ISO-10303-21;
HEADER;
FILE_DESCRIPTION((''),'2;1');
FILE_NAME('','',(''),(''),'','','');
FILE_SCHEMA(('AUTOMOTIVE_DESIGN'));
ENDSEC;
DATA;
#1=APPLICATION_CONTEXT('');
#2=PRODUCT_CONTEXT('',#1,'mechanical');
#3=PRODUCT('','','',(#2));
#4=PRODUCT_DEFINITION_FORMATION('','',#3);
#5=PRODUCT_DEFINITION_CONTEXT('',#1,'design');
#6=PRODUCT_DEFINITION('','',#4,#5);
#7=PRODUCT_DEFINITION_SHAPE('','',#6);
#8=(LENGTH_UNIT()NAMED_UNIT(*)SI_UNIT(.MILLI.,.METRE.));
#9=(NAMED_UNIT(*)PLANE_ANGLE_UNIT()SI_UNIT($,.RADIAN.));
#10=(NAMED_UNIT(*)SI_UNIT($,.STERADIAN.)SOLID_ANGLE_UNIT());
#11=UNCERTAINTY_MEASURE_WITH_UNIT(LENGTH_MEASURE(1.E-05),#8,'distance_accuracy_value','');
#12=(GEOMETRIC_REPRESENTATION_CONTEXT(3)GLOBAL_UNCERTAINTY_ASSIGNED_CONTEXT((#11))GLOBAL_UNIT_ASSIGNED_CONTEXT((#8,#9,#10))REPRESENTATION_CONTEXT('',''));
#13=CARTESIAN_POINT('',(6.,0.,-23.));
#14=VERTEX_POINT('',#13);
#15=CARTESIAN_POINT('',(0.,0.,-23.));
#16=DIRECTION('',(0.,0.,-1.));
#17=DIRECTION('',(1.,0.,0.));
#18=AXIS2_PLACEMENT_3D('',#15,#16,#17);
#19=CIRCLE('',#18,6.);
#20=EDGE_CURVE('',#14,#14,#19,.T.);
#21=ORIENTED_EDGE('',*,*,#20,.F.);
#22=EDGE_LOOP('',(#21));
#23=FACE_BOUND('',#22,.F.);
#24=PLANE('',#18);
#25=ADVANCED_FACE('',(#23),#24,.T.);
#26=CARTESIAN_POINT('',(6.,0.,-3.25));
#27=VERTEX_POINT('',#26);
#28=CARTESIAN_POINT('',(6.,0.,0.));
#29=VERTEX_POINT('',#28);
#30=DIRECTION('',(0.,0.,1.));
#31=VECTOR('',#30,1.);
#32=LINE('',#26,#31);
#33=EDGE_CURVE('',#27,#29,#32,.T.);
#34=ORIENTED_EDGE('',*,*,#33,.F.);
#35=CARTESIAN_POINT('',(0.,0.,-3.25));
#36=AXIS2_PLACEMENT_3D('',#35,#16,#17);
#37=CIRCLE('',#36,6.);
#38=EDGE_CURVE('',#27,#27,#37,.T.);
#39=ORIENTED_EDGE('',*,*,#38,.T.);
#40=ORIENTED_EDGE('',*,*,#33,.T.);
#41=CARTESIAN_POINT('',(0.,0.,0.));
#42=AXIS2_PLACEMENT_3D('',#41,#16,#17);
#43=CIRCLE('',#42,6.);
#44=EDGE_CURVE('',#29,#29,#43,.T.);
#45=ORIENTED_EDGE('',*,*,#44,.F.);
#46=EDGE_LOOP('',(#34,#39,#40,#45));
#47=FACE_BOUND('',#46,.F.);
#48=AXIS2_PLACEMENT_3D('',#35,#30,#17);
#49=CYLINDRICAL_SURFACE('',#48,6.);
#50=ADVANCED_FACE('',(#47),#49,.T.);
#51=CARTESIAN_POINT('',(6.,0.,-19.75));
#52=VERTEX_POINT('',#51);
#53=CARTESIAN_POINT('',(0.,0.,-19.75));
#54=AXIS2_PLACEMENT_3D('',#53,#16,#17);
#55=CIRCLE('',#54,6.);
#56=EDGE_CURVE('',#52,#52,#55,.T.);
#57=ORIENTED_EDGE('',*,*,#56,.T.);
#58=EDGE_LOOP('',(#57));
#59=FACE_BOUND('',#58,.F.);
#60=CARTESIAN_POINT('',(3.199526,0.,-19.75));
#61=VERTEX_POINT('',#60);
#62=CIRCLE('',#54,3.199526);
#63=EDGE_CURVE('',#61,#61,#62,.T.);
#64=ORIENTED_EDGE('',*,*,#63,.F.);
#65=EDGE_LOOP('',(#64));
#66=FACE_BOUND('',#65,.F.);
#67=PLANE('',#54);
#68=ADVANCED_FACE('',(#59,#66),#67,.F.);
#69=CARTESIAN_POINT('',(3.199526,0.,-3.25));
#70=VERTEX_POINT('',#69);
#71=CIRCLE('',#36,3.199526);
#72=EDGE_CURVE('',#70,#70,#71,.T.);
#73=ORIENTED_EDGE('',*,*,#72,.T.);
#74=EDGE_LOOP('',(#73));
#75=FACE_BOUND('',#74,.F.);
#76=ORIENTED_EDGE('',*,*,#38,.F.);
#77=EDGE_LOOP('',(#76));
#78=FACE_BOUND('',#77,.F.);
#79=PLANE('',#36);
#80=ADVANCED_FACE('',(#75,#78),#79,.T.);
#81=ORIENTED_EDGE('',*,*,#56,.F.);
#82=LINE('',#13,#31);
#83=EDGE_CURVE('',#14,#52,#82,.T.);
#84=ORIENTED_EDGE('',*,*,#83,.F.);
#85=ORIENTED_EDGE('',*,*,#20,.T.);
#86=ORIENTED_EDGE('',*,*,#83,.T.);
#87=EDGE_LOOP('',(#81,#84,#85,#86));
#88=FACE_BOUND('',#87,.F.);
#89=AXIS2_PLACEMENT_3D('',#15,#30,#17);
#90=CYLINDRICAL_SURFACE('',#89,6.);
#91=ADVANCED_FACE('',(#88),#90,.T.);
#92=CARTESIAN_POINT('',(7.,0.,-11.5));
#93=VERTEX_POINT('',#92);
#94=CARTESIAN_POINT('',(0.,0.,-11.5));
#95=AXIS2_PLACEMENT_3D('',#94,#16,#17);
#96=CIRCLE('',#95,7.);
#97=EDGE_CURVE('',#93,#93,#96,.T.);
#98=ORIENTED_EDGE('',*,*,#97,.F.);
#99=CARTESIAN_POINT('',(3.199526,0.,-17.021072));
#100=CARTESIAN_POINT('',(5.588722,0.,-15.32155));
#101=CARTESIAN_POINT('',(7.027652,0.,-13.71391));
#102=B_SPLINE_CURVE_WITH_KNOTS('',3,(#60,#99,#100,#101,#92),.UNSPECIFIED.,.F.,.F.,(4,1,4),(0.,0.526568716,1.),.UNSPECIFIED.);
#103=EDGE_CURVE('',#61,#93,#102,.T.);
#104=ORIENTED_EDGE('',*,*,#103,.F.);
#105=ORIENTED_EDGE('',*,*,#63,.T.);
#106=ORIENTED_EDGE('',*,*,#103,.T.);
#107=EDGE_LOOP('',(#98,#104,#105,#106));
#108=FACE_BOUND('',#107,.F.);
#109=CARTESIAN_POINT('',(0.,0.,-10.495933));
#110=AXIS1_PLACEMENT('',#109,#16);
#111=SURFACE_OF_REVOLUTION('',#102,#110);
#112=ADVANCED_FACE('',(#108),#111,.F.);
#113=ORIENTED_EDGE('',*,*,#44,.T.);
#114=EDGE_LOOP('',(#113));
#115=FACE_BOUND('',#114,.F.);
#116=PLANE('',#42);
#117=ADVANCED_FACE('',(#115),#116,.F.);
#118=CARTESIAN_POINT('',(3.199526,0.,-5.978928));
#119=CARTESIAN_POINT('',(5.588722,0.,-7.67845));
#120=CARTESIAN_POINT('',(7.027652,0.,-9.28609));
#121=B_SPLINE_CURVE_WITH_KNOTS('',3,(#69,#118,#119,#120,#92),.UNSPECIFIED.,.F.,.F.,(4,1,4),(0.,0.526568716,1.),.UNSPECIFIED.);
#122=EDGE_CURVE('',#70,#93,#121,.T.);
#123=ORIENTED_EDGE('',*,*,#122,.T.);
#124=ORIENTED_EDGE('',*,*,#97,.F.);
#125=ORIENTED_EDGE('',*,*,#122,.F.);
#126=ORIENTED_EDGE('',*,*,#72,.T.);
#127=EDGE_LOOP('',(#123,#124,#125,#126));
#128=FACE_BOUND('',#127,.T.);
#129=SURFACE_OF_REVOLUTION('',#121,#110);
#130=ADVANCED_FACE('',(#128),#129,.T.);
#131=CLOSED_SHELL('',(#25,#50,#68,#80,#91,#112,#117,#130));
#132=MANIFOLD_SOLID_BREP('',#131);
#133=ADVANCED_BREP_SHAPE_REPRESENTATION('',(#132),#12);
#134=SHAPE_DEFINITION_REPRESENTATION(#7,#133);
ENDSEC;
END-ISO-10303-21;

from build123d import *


with BuildPart() as f1:
    # F0 (on Front) → F1 (revolve)
    with BuildSketch(Plane.XZ):
        with BuildLine():
            Line((6, 0), (0, 0))
            Line((0, 0), (0, -23))
            Line((0, -23), (6, -23))
            Line((6, -23), (6, -19.75))
            Line((6, -19.75), (3.1995258944, -19.75))
            add(Edge.make_bspline(
                [(3.1995258944, -19.75), (3.1995258944, -17.0210715578), (5.588722155, -15.3215501769), (7.0276521617, -13.7139101128), (7, -11.5)],
                knots=[0, 0, 0, 0, 0.5265687159, 1, 1, 1, 1], degree=3))
            add(Edge.make_bspline(
                [(3.1995258944, -3.25), (3.1995258944, -5.9789284422), (5.588722155, -7.6784498231), (7.0276521617, -9.2860898872), (7, -11.5)],
                knots=[0, 0, 0, 0, 0.5265687159, 1, 1, 1, 1], degree=3))
            Line((3.1995258944, -3.25), (6, -3.25))
            Line((6, -3.25), (6, 0))
        make_face()
    revolve(axis=Axis((0, 0, -10.4959332384), (0, 0, -1)))


solid = f1.part
